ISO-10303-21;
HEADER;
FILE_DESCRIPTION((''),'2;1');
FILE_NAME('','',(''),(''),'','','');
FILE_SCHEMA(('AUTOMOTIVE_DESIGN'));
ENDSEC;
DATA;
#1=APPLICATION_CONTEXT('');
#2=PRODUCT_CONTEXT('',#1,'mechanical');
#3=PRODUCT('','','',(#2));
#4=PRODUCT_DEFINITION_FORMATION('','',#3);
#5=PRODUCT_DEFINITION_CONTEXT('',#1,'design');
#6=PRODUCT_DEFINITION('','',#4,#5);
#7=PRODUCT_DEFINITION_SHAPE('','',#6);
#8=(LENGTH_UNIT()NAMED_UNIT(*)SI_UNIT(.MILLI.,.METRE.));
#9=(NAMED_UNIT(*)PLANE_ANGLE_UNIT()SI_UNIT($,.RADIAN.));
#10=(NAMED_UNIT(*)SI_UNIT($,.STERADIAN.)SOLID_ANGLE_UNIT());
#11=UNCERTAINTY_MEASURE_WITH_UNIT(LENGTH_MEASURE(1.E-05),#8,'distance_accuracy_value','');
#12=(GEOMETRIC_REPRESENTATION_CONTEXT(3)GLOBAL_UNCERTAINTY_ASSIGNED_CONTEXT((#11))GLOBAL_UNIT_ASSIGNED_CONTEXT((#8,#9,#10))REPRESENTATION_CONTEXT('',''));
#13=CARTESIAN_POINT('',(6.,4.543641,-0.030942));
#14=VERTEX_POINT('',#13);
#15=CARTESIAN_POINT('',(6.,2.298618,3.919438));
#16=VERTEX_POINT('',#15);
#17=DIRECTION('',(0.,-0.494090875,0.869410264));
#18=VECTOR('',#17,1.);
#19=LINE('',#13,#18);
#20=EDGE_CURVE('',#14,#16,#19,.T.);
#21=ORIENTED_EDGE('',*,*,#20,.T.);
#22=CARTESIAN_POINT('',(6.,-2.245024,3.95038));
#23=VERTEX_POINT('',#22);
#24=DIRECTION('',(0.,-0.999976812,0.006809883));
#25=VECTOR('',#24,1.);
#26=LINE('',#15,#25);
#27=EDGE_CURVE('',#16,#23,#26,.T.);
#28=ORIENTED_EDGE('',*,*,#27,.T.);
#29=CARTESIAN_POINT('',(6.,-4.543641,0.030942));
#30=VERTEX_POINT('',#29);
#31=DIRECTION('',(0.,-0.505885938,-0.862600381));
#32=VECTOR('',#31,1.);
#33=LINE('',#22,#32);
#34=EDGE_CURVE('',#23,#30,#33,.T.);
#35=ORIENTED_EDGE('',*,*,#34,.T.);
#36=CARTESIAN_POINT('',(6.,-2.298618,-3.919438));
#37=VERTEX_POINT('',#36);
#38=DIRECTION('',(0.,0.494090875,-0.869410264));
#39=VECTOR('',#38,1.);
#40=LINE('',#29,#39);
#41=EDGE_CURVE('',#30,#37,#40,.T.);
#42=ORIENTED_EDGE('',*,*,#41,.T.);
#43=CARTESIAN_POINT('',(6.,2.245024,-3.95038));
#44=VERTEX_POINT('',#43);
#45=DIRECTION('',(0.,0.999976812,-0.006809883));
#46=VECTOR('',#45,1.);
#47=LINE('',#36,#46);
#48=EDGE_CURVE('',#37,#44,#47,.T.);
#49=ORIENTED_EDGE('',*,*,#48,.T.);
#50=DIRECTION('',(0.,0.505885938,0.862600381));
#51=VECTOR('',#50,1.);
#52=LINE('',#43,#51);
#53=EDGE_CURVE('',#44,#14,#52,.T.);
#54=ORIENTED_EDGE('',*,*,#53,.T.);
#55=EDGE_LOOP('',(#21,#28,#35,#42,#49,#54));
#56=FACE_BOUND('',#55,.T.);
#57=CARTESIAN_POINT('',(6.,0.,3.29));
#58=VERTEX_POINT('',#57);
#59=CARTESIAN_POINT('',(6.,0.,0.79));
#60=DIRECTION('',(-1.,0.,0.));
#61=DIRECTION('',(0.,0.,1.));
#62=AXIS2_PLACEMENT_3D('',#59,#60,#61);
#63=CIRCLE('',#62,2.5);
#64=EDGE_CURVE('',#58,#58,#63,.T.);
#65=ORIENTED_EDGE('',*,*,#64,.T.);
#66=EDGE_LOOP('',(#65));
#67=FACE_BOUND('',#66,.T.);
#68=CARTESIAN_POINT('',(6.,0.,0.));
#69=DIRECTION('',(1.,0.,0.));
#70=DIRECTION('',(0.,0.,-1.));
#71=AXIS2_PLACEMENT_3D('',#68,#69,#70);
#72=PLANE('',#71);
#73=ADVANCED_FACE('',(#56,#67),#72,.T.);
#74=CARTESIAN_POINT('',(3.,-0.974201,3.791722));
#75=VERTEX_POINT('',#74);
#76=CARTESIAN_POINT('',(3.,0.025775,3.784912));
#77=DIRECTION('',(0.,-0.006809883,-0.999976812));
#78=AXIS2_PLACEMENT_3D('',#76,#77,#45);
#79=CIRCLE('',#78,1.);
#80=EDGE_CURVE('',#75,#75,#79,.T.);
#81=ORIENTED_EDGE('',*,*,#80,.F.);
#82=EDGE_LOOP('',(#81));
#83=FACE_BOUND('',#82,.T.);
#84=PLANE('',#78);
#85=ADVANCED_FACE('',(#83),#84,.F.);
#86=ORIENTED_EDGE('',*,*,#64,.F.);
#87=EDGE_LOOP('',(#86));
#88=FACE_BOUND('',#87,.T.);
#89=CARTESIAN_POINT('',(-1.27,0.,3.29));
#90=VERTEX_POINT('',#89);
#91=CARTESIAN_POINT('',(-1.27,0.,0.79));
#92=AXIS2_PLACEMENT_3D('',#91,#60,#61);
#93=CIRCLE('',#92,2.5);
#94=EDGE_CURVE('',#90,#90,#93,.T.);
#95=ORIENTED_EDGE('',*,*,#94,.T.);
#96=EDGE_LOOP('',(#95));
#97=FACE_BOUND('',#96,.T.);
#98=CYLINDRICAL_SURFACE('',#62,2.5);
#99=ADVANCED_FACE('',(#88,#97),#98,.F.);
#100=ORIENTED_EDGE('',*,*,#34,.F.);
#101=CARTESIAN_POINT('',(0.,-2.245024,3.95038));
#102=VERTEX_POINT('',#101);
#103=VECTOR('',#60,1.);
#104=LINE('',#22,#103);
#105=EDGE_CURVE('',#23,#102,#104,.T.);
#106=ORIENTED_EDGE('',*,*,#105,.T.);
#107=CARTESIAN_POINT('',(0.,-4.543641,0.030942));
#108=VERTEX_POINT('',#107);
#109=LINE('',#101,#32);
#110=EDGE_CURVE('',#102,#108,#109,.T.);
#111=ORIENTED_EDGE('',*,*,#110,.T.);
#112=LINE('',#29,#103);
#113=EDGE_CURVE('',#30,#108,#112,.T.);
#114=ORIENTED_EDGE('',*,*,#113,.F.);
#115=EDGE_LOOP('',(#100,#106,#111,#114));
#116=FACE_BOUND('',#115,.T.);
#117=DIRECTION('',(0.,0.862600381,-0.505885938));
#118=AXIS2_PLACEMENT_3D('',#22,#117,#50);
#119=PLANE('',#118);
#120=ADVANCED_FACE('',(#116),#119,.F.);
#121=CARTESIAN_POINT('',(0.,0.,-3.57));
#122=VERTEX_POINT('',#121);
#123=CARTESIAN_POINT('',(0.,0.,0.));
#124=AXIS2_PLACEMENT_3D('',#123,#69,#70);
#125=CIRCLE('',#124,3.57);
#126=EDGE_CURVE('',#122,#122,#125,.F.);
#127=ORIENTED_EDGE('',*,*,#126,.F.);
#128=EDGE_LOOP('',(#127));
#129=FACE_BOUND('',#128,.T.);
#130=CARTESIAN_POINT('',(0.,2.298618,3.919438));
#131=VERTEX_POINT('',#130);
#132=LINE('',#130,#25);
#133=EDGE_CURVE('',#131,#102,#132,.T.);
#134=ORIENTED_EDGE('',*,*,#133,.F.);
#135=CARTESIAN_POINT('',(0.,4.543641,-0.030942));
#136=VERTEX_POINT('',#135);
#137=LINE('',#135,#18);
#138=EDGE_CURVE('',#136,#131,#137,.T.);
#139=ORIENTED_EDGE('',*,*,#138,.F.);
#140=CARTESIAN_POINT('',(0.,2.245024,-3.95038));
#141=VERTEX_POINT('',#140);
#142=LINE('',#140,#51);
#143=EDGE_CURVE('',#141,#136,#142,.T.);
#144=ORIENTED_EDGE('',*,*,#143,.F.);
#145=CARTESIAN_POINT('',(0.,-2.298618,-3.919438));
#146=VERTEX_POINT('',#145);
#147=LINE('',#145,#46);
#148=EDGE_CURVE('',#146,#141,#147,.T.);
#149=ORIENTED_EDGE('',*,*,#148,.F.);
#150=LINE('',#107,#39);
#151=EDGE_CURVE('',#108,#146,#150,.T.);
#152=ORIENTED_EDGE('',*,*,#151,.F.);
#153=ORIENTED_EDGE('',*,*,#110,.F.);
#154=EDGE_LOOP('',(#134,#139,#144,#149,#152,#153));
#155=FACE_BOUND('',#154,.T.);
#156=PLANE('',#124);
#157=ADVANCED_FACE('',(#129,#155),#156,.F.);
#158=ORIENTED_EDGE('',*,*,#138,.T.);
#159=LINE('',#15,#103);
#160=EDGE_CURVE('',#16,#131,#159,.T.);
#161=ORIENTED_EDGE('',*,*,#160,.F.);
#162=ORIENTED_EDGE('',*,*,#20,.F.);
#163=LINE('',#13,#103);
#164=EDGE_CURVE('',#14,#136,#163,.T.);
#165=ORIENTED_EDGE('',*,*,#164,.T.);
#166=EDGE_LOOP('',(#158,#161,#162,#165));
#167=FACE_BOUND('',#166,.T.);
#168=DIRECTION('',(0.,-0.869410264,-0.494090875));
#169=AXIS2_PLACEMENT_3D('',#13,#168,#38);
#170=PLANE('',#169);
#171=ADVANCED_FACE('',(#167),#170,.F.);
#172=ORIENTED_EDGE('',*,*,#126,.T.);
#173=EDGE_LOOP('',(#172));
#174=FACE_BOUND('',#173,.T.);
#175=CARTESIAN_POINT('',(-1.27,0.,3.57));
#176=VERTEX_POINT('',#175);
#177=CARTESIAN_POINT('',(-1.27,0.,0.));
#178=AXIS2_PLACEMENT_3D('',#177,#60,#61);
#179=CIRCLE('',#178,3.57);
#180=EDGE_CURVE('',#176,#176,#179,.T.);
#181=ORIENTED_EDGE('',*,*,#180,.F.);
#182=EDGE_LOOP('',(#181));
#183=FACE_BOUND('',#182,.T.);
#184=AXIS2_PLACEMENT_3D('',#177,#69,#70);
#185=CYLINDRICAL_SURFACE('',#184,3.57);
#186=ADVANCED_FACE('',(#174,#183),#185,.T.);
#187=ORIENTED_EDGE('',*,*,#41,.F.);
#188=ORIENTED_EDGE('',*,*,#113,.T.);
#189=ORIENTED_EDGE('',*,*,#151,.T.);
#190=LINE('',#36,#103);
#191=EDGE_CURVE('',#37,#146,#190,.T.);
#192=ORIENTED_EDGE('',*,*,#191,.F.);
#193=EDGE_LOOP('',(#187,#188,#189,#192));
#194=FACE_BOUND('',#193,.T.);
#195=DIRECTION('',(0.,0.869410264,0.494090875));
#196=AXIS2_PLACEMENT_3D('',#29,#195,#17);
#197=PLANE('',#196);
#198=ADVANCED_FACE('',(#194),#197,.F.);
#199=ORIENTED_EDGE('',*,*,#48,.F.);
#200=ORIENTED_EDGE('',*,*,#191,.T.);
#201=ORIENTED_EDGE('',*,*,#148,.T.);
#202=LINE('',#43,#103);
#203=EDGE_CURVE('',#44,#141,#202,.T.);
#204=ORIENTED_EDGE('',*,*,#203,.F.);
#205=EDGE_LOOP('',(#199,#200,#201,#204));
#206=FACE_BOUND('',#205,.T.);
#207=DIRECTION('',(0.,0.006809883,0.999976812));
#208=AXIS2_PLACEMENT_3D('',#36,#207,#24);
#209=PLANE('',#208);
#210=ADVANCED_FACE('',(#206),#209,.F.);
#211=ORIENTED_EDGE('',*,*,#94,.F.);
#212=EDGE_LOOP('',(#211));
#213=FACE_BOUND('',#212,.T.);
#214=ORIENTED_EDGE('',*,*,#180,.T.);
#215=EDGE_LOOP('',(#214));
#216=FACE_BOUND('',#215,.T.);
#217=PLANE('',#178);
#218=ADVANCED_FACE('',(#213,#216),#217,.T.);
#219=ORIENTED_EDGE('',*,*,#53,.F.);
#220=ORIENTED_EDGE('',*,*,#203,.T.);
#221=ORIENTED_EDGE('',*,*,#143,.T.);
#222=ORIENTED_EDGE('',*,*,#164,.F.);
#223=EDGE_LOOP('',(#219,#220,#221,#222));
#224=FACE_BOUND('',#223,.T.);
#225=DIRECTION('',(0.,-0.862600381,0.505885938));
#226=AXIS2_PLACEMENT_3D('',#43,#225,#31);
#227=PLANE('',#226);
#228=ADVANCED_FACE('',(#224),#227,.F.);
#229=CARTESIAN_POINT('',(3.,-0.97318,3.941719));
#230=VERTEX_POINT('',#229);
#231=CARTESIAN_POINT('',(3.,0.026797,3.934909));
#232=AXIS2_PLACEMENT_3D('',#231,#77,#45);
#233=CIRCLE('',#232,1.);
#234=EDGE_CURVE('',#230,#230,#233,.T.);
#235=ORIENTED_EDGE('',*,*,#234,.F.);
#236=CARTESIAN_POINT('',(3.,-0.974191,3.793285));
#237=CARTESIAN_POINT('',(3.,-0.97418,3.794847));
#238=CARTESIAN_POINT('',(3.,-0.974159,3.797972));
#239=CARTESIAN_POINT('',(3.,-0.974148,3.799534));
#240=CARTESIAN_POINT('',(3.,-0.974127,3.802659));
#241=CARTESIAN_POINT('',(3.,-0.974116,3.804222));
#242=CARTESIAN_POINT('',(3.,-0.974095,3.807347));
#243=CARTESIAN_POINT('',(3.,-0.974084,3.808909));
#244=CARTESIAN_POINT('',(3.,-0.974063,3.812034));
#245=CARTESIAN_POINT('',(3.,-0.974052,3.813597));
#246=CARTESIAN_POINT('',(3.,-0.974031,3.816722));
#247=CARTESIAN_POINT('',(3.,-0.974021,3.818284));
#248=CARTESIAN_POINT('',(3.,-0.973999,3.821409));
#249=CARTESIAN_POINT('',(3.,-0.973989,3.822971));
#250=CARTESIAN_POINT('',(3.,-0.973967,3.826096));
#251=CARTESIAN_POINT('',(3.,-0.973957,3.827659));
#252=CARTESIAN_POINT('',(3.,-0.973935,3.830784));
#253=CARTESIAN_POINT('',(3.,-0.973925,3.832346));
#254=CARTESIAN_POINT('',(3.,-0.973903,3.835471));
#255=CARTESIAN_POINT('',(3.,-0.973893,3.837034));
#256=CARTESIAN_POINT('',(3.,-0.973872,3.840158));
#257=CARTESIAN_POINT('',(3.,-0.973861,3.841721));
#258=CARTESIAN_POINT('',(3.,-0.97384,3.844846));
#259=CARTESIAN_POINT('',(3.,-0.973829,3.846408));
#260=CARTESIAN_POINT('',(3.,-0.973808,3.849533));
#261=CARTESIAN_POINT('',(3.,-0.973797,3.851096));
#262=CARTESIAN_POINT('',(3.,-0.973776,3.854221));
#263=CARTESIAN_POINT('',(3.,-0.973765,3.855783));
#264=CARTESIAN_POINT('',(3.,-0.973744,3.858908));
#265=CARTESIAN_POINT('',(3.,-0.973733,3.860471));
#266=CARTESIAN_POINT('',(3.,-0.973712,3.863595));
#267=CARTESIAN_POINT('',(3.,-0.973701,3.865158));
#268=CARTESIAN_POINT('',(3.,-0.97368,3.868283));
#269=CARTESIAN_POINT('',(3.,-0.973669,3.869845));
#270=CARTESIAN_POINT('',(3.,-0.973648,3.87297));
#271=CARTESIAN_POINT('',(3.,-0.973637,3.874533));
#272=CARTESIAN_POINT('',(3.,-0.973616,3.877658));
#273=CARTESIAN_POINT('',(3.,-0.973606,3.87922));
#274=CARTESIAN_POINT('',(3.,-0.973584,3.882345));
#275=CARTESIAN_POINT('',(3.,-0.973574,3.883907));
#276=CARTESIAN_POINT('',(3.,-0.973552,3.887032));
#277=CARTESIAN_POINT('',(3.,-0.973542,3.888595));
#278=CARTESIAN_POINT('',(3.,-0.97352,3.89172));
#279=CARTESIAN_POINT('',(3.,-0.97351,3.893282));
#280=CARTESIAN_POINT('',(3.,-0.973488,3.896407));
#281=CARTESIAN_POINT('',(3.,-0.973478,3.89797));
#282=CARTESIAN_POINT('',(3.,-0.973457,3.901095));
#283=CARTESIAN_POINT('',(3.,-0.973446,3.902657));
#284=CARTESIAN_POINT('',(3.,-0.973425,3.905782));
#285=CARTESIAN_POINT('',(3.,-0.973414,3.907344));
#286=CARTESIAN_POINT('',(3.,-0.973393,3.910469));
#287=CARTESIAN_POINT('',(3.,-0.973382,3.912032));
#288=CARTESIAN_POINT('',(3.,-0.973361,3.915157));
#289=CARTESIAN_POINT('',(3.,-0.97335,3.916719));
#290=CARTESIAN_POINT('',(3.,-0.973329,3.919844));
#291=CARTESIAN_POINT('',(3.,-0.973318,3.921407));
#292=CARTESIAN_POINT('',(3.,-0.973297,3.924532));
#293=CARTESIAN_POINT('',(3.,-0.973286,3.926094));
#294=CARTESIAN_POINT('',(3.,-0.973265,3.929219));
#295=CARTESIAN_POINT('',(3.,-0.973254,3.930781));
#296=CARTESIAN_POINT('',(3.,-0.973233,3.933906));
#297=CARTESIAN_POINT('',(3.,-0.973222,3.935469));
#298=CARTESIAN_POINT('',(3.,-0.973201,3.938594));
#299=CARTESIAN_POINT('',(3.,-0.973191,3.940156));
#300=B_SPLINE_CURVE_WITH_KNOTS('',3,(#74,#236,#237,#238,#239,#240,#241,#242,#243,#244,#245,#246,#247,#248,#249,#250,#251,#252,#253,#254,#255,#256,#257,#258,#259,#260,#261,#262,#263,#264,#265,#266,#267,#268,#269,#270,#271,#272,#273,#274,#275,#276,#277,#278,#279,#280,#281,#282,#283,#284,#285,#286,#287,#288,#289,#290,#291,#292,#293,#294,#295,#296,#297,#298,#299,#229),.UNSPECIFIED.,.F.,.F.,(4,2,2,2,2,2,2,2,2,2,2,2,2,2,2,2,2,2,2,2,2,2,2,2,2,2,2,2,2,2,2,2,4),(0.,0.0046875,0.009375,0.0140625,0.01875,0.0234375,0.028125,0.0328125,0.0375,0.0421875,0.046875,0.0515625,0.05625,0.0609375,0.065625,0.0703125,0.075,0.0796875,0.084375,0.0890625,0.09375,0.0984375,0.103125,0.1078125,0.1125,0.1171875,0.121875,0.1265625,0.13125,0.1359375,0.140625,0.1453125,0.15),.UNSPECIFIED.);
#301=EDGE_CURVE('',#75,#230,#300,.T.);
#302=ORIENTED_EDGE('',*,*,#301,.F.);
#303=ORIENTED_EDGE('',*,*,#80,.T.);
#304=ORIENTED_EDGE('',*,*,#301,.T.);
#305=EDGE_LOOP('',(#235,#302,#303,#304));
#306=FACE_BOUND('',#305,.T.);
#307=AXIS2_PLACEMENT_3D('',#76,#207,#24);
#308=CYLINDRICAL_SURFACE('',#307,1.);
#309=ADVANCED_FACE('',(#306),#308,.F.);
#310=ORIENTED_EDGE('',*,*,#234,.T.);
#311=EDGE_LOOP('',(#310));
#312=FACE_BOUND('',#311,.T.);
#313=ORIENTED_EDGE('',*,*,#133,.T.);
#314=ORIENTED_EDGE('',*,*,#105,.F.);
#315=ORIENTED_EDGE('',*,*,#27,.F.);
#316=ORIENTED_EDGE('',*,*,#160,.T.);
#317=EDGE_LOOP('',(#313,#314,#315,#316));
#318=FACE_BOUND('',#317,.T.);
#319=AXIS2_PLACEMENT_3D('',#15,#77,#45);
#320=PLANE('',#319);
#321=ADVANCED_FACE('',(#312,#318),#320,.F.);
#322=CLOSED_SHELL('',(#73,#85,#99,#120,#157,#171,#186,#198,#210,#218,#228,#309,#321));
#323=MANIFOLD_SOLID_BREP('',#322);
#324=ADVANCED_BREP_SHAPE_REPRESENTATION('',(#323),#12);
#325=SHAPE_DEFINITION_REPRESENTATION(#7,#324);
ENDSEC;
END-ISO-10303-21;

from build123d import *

# Parameters (mm, degrees)
BOSS_EXTRUDE1_DEPTH = 6
SKETCH4_R           = 3.57
BOSS_EXTRUDE2_DEPTH = 1.27
SKETCH3_R           = 2.5
CUT_EXTRUDE1_DEPTH  = 10.439442655
SKETCH5_R           = 1
CUT_EXTRUDE3_DEPTH  = 0.15


with BuildPart() as part:
    # Sketch2 → Boss-Extrude1 (new body)
    with BuildSketch(Plane(origin=(0, 0, 0), x_dir=(0, 0, -1), z_dir=(1, 0, 0))):
        Polygon((3.919437566, -2.29861752), (3.950379949, 2.245023741), (0.030942383, 4.54364126), (-3.919437566, 2.29861752), (-3.950379949, -2.245023741), (-0.030942383, -4.54364126), align=None)
    extrude(amount=BOSS_EXTRUDE1_DEPTH)

    # Sketch4 → Boss-Extrude2 (add)
    with BuildSketch(Plane.ZY):
        with Locations(Location((0, 0, 0), (0, 0, 180))):
            Circle(SKETCH4_R)
    extrude(amount=BOSS_EXTRUDE2_DEPTH)

    # Sketch3 → Cut-Extrude1 (cut, through all)
    with BuildSketch(Plane.ZY.offset(1.27)):
        with Locations((0.79, 0)):
            Circle(SKETCH3_R)
    extrude(amount=-CUT_EXTRUDE1_DEPTH, mode=Mode.SUBTRACT)

    # Sketch5 → Cut-Extrude3 (cut)
    with BuildSketch(Plane(origin=(0, 0.02679689, 3.934908757), x_dir=(1, 0, 0), z_dir=(0, -0.006809882993303443, -0.9999768124779782))):
        with Locations(Location((3, 0, 0), (0, 0, 90))):
            Circle(SKETCH5_R)
    extrude(amount=CUT_EXTRUDE3_DEPTH, mode=Mode.SUBTRACT)


solid = part.part
